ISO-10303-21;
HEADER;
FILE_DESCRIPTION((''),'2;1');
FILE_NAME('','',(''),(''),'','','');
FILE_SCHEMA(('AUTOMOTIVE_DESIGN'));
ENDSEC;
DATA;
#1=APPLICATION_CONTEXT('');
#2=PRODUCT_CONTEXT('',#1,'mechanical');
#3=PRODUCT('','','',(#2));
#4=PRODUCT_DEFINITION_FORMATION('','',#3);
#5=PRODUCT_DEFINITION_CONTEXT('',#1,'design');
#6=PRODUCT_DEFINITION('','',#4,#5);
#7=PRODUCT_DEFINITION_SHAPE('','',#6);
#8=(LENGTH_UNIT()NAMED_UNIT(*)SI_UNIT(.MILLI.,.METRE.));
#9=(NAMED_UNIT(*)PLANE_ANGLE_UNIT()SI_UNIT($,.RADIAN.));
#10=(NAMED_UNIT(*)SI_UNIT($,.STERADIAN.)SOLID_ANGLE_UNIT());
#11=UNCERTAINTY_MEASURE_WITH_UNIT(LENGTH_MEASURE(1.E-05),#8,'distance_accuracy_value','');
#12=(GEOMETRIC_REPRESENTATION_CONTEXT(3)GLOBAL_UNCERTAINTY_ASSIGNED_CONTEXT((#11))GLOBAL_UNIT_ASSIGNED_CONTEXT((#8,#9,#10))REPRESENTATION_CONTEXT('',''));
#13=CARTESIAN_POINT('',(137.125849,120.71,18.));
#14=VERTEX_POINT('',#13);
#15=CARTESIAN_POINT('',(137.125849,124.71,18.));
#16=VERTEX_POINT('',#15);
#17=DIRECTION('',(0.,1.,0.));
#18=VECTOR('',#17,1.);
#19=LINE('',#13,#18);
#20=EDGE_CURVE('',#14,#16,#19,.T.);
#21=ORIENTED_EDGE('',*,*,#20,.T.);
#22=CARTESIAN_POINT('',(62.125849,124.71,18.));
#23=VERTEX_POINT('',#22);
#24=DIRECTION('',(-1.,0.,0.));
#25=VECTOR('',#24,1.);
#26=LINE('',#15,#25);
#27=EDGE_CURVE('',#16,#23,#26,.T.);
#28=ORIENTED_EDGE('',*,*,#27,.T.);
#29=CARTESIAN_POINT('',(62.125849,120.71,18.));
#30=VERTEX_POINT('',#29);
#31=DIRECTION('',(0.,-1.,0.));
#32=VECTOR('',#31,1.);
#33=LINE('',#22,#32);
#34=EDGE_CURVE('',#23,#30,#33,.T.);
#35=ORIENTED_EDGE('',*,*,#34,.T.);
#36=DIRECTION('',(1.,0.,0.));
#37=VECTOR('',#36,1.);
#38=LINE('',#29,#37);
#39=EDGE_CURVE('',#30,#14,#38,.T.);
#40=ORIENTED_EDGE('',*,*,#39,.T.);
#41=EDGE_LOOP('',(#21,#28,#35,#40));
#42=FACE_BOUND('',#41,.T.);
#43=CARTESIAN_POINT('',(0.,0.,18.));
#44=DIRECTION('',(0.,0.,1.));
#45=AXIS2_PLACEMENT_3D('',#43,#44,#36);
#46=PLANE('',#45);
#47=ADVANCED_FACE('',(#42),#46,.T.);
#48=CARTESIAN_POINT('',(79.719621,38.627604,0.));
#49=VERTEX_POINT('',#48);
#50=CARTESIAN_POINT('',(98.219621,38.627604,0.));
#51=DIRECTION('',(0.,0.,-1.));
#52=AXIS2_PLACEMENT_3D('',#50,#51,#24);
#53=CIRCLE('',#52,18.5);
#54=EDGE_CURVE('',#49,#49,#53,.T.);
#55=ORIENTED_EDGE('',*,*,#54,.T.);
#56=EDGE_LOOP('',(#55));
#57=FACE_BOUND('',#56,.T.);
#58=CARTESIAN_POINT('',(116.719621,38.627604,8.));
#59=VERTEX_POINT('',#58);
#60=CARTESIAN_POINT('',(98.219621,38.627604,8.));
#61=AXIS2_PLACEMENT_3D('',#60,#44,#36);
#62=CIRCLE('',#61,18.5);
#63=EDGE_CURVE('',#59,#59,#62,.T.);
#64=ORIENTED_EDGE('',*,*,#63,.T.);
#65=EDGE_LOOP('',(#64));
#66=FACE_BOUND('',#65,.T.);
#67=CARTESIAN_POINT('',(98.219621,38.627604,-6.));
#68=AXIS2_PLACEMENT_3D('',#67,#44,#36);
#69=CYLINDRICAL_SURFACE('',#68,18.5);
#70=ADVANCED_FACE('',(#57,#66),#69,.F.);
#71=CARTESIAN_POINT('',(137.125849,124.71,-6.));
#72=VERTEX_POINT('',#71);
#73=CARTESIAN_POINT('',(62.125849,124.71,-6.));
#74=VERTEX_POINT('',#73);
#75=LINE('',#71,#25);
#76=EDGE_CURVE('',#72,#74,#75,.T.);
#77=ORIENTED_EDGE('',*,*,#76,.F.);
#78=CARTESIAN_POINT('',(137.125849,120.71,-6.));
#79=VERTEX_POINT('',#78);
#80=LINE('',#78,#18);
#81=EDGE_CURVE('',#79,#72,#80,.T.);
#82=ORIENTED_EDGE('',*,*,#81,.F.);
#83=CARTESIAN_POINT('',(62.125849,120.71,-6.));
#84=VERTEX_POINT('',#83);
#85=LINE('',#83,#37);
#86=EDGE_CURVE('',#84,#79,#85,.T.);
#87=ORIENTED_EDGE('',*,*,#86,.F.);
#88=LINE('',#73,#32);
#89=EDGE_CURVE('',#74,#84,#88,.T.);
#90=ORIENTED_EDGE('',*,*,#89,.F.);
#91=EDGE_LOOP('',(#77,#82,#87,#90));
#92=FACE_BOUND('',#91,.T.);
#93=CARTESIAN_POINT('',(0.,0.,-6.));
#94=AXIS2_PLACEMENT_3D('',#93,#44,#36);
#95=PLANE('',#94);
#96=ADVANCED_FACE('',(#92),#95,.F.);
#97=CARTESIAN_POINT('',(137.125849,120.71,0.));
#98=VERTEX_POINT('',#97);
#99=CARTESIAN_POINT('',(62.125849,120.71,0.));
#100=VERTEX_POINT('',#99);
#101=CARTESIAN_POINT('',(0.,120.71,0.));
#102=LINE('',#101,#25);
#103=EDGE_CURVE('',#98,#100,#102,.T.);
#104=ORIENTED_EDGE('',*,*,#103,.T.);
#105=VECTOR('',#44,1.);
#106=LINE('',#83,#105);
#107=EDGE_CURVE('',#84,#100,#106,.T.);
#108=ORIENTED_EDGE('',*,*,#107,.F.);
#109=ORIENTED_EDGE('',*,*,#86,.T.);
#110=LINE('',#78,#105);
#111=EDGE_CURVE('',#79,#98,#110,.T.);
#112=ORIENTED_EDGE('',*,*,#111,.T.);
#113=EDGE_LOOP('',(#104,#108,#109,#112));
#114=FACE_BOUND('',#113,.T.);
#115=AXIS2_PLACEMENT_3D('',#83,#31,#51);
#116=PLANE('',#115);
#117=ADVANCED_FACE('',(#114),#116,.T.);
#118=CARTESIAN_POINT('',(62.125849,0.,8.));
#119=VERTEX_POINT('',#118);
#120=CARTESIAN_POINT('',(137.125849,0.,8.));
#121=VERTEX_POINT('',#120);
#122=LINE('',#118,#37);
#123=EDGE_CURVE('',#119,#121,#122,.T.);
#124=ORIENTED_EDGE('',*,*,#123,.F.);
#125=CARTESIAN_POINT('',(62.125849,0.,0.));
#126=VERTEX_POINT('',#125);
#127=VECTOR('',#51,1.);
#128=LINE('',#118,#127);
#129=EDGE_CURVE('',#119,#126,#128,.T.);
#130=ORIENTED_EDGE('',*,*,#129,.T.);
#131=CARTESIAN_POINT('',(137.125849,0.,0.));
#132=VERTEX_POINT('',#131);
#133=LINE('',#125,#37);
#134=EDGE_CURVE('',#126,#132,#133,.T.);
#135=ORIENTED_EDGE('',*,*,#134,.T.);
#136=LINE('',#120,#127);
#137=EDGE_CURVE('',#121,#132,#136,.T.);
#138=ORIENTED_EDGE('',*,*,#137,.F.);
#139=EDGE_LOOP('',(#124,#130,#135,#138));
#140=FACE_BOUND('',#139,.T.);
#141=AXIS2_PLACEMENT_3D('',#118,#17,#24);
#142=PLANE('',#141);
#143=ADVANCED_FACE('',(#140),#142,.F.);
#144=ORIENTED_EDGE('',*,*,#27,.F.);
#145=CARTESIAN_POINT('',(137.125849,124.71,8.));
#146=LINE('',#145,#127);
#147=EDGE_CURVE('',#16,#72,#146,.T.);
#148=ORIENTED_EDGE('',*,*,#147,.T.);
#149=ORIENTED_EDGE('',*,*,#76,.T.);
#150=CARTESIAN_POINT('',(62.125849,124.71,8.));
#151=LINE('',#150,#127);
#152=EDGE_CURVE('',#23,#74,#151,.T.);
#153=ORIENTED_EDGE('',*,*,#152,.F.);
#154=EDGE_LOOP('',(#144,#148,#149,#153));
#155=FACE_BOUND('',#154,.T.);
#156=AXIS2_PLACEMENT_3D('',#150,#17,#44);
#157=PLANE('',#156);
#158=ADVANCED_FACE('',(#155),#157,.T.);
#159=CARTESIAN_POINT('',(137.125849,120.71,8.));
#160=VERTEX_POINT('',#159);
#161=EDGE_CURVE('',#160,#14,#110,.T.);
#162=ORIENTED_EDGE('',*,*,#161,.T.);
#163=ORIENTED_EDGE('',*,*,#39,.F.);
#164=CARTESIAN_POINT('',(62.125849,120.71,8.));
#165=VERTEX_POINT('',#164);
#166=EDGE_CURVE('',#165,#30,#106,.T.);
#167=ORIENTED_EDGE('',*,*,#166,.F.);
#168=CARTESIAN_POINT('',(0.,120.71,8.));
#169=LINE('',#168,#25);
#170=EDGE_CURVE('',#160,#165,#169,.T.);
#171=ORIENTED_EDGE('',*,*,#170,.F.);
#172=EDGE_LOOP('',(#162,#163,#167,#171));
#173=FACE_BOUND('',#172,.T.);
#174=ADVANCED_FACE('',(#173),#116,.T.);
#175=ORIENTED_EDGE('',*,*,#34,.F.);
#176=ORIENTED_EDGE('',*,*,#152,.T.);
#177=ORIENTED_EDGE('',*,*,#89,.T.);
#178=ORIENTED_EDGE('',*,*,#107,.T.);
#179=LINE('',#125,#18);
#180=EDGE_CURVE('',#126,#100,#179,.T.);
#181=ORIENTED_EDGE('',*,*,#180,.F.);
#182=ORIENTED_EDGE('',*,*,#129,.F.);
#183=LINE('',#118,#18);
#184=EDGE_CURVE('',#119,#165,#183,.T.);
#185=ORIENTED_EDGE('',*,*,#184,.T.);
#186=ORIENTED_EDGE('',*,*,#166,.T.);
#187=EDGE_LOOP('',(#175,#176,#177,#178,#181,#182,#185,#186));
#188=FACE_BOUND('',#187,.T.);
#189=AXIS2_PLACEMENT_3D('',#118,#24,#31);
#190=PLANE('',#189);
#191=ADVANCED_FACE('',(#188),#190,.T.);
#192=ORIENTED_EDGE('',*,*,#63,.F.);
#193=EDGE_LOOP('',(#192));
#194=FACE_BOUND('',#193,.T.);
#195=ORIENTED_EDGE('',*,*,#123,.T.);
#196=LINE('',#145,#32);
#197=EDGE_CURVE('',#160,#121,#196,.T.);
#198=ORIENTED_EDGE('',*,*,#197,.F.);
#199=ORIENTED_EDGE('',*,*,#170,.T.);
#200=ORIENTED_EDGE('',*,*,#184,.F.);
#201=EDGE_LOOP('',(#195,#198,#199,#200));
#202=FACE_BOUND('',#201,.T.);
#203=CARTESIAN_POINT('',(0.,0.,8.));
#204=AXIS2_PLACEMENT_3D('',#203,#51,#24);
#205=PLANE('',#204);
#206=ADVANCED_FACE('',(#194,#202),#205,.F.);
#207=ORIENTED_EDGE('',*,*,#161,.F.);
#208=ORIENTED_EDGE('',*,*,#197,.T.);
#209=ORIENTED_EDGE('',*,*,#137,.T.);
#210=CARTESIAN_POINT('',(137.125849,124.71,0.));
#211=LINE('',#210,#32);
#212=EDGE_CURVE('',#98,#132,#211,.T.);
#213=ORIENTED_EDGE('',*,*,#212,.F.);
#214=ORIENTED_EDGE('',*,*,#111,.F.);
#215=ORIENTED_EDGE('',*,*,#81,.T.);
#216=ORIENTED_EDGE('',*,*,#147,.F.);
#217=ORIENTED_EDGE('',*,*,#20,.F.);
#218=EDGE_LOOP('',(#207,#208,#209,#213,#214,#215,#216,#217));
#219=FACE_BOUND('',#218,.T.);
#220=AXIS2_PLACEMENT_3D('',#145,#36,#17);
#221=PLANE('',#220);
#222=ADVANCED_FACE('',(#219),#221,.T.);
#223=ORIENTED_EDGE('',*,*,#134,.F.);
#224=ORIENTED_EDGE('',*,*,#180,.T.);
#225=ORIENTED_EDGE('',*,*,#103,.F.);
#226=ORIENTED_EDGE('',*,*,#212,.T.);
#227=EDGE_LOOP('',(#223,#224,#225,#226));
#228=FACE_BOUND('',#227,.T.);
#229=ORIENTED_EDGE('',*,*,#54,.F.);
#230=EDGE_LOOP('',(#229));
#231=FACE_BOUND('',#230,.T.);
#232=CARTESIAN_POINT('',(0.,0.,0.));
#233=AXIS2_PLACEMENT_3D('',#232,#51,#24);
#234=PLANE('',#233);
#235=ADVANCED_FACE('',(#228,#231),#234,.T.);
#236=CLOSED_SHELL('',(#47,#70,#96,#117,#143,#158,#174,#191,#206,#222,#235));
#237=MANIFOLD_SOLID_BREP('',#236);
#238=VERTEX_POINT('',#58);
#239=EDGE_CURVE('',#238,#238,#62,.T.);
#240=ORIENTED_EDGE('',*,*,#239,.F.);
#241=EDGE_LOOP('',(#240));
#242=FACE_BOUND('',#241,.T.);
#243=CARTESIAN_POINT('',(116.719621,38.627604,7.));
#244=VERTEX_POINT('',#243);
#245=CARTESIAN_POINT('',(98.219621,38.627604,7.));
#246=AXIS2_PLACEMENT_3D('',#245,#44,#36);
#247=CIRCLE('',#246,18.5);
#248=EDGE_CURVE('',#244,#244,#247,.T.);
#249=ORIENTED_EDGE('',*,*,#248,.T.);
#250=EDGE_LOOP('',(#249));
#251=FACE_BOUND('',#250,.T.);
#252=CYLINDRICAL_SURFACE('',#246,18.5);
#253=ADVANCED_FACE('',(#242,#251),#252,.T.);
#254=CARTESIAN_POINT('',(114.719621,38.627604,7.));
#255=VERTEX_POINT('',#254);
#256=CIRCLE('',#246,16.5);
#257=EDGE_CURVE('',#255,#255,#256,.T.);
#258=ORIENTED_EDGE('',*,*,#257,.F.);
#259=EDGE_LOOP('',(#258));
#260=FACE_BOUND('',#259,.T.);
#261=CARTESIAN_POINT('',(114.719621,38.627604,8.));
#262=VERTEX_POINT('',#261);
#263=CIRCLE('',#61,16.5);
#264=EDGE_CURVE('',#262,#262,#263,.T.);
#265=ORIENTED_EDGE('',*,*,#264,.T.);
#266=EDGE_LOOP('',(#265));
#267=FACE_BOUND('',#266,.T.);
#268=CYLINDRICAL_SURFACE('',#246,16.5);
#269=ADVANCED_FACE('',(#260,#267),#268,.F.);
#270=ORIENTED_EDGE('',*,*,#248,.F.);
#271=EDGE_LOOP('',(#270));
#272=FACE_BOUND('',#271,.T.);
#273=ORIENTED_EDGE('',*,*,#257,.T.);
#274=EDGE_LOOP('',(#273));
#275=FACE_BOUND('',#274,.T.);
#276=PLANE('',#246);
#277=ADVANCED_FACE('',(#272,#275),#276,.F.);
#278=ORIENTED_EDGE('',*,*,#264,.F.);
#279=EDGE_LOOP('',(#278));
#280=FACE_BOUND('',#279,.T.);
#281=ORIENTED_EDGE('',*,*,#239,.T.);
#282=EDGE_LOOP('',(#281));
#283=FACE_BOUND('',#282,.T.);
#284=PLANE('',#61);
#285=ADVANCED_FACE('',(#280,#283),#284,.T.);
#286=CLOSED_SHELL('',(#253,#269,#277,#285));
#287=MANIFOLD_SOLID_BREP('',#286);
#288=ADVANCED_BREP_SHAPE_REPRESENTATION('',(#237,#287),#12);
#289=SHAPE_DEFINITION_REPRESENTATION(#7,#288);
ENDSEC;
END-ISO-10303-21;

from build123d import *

# Parameters (mm, degrees)
SKETCH12_W                = 75
SKETCH12_H                = 124.71
BOSS_EXTRUDE10_DEPTH      = 8
BOSS_EXTRUDE13_DEPTH      = 10
BOSS_EXTRUDE13_DEPTH_BACK = 14
SKETCH24_W                = 75
SKETCH24_H                = 4
SKETCH25_R                = 18.5
CUT_EXTRUDE1_DEPTH        = 186.881905155
SKETCH26_R                = 18.5
SKETCH26_R_2              = 16.5
BOSS_EXTRUDE15_DEPTH      = 1


with BuildPart() as part:
    # Sketch12 → Boss-Extrude10 (new body)
    with BuildSketch(Plane.XY):
        with Locations((99.625849364, 62.355)):
            Rectangle(SKETCH12_W, SKETCH12_H)
    extrude(amount=BOSS_EXTRUDE10_DEPTH)

    # Sketch24 → Boss-Extrude13 (add, two sides: drawn at the far end of the back side and taken through both)
    with BuildSketch(Plane.XY.offset(8).offset(-BOSS_EXTRUDE13_DEPTH_BACK)):
        with Locations((99.625849364, 122.71)):
            Rectangle(SKETCH24_W, SKETCH24_H)
    extrude(amount=BOSS_EXTRUDE13_DEPTH + BOSS_EXTRUDE13_DEPTH_BACK)

    # Sketch25 → Cut-Extrude1 (cut, through all)
    with BuildSketch(Plane.XY.offset(8)):
        with Locations((98.219620603, 38.627603634)):
            Circle(SKETCH25_R)
    extrude(amount=-CUT_EXTRUDE1_DEPTH, mode=Mode.SUBTRACT)


with BuildPart() as body_2:
    # Sketch26 → Boss-Extrude15 (new body)
    with BuildSketch(Plane.XY.offset(8)):
        with Locations((98.219620603, 38.627603634)):
            Circle(SKETCH26_R)
        with Locations((98.219620603, 38.627603634)):
            Circle(SKETCH26_R_2, mode=Mode.SUBTRACT)
    extrude(amount=-BOSS_EXTRUDE15_DEPTH)


solid = Compound([part.part, body_2.part])
